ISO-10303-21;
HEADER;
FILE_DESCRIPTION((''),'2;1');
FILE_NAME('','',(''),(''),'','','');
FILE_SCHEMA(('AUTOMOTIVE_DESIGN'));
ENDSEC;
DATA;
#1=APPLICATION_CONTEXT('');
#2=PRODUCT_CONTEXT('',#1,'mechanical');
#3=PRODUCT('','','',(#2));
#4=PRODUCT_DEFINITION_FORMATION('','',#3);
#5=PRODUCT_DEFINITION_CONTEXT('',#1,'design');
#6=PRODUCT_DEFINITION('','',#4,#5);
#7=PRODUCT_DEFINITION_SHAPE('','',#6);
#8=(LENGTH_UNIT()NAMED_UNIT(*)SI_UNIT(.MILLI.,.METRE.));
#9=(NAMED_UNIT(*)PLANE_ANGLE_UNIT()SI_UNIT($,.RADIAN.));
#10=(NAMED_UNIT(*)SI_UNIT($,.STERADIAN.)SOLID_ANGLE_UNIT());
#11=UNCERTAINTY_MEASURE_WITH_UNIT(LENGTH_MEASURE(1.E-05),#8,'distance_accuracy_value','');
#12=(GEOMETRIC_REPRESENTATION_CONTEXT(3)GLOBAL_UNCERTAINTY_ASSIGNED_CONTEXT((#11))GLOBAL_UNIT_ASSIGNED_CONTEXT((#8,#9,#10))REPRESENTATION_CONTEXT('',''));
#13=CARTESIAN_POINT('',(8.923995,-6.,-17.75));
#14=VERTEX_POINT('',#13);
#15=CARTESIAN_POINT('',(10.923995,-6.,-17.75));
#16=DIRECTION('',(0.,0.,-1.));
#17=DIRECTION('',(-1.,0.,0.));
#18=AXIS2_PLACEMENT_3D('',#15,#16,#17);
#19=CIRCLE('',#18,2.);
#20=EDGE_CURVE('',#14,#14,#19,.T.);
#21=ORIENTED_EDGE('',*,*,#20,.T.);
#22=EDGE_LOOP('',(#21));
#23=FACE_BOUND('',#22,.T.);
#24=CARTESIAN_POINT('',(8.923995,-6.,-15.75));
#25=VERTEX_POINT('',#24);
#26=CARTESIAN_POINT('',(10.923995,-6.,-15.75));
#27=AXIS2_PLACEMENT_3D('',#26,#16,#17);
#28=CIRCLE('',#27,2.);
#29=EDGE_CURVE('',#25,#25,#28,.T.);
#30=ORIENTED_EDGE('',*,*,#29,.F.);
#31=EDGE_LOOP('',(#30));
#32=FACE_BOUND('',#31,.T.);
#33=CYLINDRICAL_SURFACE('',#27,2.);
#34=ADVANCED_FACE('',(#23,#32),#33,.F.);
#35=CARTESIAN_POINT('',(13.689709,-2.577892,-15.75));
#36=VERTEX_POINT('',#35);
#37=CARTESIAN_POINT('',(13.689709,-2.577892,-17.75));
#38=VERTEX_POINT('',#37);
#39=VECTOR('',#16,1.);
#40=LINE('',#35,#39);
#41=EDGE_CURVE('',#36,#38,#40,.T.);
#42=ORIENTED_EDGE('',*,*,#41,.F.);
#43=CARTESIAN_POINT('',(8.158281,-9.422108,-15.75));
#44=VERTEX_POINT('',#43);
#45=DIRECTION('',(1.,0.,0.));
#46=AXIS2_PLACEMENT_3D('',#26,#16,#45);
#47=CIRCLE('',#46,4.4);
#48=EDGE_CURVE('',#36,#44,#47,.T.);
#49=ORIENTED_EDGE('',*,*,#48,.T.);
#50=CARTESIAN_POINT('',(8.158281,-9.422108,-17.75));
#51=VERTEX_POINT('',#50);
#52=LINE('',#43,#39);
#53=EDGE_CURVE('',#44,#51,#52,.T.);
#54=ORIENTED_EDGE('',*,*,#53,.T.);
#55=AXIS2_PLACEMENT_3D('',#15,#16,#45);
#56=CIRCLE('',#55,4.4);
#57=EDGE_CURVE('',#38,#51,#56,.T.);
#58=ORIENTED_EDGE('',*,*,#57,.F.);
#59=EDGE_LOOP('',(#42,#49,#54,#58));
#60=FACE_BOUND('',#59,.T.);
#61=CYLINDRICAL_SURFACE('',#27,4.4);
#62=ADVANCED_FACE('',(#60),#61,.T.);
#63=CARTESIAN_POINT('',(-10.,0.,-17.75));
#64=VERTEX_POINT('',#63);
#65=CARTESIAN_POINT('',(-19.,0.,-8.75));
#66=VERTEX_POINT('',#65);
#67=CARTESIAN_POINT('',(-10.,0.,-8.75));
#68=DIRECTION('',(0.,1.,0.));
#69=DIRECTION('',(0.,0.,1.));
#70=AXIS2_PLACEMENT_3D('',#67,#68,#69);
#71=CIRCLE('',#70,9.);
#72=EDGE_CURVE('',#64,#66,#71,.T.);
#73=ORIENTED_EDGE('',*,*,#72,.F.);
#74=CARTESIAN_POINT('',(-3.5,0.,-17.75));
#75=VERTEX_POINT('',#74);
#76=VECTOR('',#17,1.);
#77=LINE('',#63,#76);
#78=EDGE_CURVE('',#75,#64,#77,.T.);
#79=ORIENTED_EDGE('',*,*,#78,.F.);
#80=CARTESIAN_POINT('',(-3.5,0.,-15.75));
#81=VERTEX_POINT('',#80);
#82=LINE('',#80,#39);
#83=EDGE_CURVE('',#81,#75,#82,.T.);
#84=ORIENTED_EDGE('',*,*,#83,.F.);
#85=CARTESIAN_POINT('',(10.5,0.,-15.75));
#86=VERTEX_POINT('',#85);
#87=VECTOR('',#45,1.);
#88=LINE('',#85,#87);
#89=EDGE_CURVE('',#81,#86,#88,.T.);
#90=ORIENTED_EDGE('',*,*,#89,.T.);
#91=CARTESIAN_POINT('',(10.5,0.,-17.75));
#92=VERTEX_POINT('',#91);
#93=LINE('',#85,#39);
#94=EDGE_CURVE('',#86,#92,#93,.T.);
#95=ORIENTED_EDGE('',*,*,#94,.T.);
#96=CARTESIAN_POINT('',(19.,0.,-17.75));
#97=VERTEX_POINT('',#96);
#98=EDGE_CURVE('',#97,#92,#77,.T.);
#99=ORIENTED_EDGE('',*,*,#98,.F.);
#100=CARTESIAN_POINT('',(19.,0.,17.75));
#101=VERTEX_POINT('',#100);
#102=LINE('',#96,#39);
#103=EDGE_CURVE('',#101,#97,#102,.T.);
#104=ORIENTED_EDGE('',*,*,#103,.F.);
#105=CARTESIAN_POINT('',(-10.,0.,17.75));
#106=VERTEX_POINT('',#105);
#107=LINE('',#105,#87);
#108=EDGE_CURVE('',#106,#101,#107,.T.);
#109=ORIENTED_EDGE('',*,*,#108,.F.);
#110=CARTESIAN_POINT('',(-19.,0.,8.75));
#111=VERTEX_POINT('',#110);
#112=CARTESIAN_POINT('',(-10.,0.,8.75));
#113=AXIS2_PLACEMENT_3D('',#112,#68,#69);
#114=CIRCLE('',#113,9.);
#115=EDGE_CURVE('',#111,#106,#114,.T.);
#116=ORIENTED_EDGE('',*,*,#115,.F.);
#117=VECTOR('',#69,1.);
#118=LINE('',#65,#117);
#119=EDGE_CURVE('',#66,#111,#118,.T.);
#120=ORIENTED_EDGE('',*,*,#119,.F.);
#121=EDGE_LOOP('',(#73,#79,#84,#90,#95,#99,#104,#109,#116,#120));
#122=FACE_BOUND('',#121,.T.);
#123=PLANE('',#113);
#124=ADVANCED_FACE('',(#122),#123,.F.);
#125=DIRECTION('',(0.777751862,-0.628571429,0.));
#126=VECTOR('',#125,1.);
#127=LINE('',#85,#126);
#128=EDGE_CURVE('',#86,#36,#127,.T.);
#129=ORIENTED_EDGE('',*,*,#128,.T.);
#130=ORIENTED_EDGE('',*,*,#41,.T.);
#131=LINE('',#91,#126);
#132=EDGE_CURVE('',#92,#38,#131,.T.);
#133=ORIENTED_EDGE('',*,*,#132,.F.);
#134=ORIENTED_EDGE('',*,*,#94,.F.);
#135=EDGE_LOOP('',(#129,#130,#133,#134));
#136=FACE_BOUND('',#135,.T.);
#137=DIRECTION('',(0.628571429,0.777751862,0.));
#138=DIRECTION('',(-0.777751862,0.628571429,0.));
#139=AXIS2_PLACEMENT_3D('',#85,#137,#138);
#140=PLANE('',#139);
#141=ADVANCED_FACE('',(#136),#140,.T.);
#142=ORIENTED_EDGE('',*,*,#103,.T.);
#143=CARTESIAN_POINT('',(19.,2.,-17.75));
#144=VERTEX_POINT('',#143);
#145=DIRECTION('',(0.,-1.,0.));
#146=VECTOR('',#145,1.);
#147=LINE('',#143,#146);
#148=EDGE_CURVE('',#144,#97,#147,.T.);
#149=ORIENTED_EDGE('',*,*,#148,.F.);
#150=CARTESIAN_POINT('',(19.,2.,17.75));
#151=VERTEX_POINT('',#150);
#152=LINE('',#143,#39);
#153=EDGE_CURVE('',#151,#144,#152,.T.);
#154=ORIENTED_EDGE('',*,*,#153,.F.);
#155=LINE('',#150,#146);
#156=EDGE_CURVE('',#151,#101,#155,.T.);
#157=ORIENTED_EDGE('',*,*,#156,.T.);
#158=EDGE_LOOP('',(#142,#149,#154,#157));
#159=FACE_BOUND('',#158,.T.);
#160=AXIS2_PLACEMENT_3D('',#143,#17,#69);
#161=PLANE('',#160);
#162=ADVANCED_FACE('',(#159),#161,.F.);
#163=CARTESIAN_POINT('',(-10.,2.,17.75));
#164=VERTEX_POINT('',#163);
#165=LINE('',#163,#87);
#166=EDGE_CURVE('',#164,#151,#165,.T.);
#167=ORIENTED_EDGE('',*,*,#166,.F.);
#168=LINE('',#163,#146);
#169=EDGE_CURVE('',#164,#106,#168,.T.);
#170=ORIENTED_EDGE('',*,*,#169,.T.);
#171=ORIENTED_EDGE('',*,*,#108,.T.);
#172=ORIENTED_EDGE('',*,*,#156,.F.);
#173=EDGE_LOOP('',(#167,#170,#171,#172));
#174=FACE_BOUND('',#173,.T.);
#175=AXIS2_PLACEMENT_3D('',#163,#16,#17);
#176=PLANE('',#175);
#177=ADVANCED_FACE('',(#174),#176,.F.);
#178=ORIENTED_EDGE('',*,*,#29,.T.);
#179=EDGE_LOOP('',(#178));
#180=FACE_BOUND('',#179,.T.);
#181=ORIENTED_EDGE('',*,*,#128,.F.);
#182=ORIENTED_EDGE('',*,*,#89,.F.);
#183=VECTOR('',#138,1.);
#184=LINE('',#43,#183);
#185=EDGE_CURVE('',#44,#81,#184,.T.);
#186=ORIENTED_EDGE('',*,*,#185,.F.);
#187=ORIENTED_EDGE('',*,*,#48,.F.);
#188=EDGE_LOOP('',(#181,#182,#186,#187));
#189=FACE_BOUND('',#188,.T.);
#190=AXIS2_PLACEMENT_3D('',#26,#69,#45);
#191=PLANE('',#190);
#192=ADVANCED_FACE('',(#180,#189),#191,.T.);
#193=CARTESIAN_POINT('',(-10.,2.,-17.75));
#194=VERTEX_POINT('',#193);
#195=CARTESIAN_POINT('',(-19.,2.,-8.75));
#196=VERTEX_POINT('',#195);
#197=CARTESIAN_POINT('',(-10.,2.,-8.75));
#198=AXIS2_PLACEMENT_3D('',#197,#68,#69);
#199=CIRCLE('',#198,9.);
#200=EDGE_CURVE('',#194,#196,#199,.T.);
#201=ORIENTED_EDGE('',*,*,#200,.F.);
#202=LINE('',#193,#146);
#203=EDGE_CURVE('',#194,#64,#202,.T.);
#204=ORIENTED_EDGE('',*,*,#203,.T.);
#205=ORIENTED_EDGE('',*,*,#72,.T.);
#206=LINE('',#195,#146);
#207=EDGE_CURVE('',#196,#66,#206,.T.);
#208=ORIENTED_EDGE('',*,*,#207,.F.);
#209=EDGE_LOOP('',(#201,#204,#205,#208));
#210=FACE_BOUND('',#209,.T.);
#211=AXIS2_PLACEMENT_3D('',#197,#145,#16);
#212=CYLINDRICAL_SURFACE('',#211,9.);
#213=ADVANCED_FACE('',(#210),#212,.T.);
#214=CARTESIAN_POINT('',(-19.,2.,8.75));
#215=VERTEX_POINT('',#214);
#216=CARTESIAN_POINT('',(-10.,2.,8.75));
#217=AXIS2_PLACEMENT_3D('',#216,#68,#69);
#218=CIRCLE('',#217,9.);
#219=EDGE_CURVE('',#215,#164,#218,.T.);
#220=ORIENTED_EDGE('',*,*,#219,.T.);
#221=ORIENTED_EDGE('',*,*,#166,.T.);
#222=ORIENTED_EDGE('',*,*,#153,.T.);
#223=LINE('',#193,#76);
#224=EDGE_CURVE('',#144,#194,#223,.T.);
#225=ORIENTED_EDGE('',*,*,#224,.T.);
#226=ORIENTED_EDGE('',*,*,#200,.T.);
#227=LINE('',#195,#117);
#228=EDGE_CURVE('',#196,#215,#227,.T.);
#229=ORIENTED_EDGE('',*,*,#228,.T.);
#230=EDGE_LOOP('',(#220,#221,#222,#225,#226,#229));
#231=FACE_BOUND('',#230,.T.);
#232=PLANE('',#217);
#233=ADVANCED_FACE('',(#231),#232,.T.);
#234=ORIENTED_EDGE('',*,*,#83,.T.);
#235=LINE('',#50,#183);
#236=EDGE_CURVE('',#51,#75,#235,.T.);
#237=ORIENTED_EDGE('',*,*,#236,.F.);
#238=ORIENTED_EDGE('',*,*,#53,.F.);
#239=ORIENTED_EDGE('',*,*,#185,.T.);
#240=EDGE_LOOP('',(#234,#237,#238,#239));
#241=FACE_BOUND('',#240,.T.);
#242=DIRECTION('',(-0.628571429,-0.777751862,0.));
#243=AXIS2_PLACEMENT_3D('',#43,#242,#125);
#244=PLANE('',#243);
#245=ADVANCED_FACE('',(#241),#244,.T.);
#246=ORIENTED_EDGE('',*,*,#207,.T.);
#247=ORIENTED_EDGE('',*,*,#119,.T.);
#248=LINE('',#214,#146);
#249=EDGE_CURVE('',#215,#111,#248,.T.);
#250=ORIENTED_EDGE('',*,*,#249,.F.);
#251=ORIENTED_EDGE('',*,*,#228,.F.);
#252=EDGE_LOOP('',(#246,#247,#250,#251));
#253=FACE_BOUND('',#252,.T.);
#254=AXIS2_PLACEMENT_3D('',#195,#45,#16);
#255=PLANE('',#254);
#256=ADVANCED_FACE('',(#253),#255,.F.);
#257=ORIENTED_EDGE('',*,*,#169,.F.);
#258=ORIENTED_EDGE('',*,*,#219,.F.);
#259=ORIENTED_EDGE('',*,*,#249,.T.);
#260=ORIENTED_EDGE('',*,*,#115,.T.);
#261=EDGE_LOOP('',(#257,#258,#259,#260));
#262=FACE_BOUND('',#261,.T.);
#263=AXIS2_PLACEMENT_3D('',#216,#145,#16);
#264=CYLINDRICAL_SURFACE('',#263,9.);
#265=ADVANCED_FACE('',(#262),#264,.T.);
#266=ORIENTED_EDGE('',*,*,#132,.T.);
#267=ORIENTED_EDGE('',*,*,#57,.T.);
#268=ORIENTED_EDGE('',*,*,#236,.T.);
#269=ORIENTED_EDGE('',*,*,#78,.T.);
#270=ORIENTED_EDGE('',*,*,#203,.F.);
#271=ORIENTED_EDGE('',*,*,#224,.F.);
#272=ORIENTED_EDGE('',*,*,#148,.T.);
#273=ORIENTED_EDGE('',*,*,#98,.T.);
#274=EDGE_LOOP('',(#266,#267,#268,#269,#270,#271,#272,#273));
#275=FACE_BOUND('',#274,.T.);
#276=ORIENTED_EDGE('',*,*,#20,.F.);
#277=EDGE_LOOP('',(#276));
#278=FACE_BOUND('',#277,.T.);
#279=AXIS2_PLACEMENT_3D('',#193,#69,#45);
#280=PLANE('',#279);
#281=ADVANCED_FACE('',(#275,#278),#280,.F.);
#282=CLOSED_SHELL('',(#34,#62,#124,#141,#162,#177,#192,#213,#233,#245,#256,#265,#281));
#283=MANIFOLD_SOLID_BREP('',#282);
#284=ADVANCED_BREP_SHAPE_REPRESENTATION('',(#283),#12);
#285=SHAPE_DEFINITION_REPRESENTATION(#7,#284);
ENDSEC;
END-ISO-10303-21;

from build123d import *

# Parameters (mm, degrees)
BOSS_EXTRUDE1_DEPTH = 2
SKETCH2_R           = 2
BOSS_EXTRUDE2_DEPTH = 2


with BuildPart() as part:
    # Sketch1 → Boss-Extrude1 (new body)
    with BuildSketch(Plane(origin=(0, 0, 0), x_dir=(1, 0, 0), z_dir=(0, 1, 0))):
        with BuildLine():
            Line((-10, 17.75), (19, 17.75))
            Line((19, 17.75), (19, -17.75))
            Line((19, -17.75), (-10, -17.75))
            ThreePointArc((-10, -17.75), (-16.363961031, -15.113961031), (-19, -8.75))
            Line((-19, -8.75), (-19, 8.75))
            ThreePointArc((-19, 8.75), (-16.363961031, 15.113961031), (-10, 17.75))
        make_face()
    extrude(amount=BOSS_EXTRUDE1_DEPTH)

    # Sketch2 → Boss-Extrude2 (add)
    with BuildSketch(Plane(origin=(0, 0, -17.75), x_dir=(-1, 0, 0), z_dir=(0, 0, -1))):
        with BuildLine():
            Line((-10.5, 0), (-13.689709334, -2.577891806))
            ThreePointArc((-13.689709334, -2.577891806), (-14.346103242, -8.765714286), (-8.158280763, -9.422108194))
            Line((-8.158280763, -9.422108194), (3.5, 0))
            Line((3.5, 0), (-10.5, 0))
        make_face()
        with Locations((-10.923995048, -6)):
            Circle(SKETCH2_R, mode=Mode.SUBTRACT)
    extrude(amount=-BOSS_EXTRUDE2_DEPTH)


solid = part.part
